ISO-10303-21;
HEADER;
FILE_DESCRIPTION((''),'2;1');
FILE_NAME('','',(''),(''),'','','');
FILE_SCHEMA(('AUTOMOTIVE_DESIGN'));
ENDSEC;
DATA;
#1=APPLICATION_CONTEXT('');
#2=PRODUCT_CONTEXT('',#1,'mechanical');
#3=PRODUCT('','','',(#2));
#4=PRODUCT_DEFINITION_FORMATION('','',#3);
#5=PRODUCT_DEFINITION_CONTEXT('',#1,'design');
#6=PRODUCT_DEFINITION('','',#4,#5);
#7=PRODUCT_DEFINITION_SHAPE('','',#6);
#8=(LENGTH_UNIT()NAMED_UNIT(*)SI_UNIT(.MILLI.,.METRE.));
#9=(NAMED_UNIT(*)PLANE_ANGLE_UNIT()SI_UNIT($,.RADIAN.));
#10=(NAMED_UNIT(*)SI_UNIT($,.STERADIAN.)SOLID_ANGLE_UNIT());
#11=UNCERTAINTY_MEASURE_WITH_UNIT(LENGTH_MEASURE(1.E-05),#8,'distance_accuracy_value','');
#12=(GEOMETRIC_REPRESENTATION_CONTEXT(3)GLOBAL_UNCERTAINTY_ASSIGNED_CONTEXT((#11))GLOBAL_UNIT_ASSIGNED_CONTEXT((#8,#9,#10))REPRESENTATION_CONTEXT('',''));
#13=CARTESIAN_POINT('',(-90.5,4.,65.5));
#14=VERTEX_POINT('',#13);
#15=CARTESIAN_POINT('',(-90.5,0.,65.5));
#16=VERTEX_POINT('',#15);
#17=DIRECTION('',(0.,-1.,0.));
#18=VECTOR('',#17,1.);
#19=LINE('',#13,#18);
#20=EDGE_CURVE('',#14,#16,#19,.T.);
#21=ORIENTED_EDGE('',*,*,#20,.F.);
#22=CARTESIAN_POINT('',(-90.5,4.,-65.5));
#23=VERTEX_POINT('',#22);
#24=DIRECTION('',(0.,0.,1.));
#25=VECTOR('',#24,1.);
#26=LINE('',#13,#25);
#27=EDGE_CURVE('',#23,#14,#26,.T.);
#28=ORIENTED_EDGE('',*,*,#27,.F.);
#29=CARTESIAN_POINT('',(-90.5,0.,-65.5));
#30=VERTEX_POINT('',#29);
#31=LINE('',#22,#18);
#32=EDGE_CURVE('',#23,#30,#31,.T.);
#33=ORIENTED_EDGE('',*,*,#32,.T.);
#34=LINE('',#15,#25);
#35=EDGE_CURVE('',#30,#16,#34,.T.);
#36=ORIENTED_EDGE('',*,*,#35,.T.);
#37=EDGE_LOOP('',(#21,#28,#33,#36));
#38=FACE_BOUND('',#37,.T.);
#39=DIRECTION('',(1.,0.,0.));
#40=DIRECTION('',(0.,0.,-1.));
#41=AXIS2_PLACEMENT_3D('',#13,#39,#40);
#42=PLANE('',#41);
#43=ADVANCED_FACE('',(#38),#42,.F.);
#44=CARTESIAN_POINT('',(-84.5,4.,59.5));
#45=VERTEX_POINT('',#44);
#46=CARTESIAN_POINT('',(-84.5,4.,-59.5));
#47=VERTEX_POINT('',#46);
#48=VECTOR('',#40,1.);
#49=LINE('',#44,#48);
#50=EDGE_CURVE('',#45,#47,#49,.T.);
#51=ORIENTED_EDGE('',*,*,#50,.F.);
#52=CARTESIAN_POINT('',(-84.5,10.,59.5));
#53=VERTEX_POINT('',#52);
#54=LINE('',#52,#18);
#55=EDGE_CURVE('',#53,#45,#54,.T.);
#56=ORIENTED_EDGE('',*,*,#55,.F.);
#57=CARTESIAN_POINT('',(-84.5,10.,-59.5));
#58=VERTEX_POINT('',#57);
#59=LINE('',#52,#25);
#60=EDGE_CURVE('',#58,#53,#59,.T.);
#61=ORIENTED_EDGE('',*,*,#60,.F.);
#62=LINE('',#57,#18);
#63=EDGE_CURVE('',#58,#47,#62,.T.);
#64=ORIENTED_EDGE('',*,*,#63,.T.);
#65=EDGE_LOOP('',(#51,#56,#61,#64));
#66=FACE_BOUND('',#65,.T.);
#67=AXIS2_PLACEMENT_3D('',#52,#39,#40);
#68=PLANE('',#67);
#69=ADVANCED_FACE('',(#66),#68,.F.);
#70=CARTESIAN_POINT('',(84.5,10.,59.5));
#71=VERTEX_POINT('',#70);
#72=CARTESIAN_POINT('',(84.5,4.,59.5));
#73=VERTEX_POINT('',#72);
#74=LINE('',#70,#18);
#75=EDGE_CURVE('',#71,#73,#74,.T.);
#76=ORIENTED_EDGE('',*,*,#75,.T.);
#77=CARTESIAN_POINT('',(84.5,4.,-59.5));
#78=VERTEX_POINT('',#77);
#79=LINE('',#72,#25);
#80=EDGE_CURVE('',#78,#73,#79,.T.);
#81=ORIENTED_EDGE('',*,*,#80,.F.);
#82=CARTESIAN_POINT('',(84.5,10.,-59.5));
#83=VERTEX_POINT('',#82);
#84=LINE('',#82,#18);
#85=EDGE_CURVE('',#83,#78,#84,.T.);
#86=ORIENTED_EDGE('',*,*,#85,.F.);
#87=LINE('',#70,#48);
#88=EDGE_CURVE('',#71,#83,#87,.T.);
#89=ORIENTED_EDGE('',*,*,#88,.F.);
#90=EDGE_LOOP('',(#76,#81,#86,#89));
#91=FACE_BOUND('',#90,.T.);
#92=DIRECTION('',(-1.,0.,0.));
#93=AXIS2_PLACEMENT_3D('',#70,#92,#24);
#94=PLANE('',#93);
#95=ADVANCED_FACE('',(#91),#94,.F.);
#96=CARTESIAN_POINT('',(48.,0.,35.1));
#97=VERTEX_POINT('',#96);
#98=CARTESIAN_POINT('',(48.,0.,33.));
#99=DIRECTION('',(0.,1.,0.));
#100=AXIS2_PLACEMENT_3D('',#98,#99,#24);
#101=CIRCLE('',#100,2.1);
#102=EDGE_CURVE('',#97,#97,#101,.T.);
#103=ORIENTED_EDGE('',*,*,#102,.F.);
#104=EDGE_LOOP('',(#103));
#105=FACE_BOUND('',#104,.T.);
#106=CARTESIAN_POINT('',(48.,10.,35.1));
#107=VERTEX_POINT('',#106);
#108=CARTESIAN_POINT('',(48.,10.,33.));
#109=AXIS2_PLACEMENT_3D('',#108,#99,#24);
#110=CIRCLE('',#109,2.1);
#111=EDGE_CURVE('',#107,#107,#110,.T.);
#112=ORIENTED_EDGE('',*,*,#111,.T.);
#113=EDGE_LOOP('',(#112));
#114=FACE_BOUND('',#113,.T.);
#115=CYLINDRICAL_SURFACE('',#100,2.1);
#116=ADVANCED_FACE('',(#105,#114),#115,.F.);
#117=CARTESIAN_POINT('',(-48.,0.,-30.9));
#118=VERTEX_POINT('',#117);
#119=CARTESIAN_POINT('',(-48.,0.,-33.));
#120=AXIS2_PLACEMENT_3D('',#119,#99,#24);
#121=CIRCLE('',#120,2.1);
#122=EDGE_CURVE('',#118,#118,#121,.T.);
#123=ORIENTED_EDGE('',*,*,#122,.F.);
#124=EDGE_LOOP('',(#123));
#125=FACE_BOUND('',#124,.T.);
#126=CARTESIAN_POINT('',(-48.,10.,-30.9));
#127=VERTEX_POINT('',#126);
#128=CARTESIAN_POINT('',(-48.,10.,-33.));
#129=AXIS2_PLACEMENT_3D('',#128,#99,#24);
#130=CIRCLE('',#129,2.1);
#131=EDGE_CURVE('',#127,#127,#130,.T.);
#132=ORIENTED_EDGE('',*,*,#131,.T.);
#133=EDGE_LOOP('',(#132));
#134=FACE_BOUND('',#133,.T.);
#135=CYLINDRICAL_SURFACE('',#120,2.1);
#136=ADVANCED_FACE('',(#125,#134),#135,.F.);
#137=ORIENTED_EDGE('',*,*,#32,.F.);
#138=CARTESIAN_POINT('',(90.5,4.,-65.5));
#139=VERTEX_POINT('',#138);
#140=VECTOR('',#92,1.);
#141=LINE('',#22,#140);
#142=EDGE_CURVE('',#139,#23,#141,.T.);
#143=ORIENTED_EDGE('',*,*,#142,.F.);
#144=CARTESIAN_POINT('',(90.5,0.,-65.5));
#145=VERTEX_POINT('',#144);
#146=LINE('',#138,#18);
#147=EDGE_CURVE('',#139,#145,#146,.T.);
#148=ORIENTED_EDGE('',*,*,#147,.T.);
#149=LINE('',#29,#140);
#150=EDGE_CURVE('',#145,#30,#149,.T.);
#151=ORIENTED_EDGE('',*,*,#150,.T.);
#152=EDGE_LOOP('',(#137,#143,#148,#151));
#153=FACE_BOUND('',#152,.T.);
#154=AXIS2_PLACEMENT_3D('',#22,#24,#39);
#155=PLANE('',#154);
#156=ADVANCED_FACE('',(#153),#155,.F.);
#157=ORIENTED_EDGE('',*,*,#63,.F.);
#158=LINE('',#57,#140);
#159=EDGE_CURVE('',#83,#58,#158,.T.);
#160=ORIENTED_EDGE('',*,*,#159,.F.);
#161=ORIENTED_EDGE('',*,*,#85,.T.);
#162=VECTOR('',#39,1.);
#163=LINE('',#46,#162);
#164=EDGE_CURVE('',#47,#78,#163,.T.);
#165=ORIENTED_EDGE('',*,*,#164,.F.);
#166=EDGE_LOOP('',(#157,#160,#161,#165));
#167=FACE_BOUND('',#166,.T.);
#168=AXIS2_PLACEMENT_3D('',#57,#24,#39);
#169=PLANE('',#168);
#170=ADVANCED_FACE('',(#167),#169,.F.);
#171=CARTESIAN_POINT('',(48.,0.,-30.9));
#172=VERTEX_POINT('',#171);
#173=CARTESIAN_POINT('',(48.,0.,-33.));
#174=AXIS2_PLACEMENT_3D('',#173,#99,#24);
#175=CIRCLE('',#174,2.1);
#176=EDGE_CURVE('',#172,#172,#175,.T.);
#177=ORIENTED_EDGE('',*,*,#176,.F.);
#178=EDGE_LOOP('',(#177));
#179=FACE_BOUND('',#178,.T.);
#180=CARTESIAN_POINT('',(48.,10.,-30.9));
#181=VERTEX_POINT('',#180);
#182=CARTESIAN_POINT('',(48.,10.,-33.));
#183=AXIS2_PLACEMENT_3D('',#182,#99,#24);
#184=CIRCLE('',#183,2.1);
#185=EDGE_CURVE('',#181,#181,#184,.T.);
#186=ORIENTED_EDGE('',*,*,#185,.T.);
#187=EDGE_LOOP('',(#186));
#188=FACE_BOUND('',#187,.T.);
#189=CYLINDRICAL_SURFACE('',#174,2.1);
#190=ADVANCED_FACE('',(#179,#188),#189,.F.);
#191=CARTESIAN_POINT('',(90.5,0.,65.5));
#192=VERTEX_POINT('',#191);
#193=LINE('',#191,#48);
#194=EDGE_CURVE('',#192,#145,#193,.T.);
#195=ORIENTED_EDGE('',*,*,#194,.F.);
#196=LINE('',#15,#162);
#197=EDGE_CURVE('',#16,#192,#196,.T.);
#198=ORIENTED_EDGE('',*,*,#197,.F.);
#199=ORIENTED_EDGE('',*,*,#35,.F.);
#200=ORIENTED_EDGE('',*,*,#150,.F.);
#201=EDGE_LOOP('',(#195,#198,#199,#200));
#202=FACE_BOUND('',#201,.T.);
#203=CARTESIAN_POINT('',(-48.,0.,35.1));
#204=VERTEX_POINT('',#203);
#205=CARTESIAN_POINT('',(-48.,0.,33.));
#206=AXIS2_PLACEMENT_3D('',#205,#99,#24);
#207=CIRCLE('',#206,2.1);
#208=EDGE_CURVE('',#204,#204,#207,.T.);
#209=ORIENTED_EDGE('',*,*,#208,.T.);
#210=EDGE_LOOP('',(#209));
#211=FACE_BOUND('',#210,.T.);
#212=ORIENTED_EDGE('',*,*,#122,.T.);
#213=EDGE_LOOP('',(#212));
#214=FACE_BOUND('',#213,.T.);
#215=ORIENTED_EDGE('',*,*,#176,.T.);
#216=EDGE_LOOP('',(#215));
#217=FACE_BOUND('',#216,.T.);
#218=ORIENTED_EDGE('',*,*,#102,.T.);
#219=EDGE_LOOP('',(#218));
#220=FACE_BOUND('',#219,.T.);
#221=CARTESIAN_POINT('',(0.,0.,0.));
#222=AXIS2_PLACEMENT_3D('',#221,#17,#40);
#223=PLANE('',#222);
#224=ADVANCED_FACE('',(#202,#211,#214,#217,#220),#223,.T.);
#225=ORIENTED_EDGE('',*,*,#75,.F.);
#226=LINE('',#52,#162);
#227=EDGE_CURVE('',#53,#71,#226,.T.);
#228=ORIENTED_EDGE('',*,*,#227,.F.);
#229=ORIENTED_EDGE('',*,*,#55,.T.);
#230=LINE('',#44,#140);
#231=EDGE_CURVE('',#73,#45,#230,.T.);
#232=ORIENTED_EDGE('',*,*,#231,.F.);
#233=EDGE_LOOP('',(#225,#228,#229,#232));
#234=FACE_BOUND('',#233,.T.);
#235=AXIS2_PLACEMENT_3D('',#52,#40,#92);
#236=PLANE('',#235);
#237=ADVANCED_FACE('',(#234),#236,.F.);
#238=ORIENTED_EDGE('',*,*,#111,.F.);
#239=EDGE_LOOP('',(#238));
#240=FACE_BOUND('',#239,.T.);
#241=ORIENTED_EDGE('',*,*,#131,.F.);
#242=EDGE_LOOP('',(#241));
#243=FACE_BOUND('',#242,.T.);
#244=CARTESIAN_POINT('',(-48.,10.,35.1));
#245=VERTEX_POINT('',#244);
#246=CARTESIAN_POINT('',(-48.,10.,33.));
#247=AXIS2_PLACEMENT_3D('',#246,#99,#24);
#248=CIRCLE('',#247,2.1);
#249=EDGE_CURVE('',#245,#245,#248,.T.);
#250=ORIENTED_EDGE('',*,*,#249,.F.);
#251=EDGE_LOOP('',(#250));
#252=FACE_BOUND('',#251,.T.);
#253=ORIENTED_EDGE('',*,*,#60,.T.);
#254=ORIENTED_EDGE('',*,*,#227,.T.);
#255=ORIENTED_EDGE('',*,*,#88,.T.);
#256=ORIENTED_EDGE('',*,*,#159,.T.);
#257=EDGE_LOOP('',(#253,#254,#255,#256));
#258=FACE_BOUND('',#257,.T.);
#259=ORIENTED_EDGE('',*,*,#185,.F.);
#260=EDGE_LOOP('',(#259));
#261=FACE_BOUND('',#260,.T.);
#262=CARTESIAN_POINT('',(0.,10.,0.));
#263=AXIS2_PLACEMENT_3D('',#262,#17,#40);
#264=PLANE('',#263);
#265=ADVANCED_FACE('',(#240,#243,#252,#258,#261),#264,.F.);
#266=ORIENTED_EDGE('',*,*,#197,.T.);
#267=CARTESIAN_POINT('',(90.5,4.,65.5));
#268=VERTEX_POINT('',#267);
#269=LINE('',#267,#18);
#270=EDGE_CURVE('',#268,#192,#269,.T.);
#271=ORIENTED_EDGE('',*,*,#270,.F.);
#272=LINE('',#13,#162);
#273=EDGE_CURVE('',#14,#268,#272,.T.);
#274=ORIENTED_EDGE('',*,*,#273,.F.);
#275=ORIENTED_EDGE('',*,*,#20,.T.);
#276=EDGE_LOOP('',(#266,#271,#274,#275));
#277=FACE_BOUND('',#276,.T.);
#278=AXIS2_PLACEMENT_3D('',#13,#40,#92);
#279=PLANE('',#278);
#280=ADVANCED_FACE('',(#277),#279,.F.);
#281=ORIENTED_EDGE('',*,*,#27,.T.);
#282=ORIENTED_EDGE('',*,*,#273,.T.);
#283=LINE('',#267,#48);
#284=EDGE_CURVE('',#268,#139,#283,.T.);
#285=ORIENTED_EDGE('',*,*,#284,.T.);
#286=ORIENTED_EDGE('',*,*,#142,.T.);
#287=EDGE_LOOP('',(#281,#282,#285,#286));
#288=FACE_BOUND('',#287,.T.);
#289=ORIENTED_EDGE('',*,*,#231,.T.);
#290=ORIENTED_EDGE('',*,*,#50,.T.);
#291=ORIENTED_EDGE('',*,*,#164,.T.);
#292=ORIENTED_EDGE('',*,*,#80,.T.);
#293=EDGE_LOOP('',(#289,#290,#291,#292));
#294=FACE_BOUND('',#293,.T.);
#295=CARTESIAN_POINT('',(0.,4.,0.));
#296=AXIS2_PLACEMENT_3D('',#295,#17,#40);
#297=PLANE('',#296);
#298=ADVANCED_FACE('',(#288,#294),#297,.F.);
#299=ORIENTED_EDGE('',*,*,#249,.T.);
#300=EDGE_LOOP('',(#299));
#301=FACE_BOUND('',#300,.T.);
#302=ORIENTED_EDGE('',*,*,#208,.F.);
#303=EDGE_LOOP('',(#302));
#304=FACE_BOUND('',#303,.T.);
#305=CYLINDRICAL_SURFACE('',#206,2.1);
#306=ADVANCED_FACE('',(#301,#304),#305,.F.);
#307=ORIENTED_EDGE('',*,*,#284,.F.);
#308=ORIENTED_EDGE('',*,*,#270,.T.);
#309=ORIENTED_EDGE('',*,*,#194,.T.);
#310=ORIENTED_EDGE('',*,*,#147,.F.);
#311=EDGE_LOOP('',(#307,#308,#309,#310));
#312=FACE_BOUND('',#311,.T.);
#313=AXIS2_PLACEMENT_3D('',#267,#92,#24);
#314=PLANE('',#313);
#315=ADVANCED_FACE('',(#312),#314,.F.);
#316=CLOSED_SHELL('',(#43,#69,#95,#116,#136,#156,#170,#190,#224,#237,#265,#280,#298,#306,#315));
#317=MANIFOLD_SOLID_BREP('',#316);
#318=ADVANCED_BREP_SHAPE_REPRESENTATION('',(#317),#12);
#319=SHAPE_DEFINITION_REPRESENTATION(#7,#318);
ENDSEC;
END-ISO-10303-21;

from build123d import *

# Parameters (mm, degrees)
ESQUISSE1_W             = 169
ESQUISSE1_H             = 119
BOSS_EXTRU_1_DEPTH      = 10
ESQUISSE2_W             = 181
ESQUISSE2_H             = 131
BOSS_EXTRU_2_DEPTH      = 4
ESQUISSE3_R             = 2.1
ENL_V_MAT_EXTRU_1_DEPTH = 113.162828067


with BuildPart() as part:
    # Esquisse1 → Boss.-Extru.1 (new body)
    with BuildSketch(Plane(origin=(0, 0, 0), x_dir=(1, 0, 0), z_dir=(0, 1, 0))):
        Rectangle(ESQUISSE1_W, ESQUISSE1_H)
    extrude(amount=BOSS_EXTRU_1_DEPTH)

    # Esquisse2 → Boss.-Extru.2 (add)
    with BuildSketch(Plane(origin=(0, 0, 0), x_dir=(1, 0, 0), z_dir=(0, 1, 0))):
        Rectangle(ESQUISSE2_W, ESQUISSE2_H)
    extrude(amount=BOSS_EXTRU_2_DEPTH)

    # Esquisse3 → Enlèv. mat.-Extru.1 (cut, through all)
    with BuildSketch(Plane(origin=(0, 10, 0), x_dir=(1, 0, 0), z_dir=(0, 1, 0))):
        with Locations(Location((-48, 33, 0), (0, 0, 270))):
            Circle(ESQUISSE3_R)
        with Locations(Location((48, 33, 0), (0, 0, 270))):
            Circle(ESQUISSE3_R)
        with Locations(Location((48, -33, 0), (0, 0, 270))):
            Circle(ESQUISSE3_R)
        with Locations(Location((-48, -33, 0), (0, 0, 270))):
            Circle(ESQUISSE3_R)
    extrude(amount=-ENL_V_MAT_EXTRU_1_DEPTH, mode=Mode.SUBTRACT)


solid = part.part
